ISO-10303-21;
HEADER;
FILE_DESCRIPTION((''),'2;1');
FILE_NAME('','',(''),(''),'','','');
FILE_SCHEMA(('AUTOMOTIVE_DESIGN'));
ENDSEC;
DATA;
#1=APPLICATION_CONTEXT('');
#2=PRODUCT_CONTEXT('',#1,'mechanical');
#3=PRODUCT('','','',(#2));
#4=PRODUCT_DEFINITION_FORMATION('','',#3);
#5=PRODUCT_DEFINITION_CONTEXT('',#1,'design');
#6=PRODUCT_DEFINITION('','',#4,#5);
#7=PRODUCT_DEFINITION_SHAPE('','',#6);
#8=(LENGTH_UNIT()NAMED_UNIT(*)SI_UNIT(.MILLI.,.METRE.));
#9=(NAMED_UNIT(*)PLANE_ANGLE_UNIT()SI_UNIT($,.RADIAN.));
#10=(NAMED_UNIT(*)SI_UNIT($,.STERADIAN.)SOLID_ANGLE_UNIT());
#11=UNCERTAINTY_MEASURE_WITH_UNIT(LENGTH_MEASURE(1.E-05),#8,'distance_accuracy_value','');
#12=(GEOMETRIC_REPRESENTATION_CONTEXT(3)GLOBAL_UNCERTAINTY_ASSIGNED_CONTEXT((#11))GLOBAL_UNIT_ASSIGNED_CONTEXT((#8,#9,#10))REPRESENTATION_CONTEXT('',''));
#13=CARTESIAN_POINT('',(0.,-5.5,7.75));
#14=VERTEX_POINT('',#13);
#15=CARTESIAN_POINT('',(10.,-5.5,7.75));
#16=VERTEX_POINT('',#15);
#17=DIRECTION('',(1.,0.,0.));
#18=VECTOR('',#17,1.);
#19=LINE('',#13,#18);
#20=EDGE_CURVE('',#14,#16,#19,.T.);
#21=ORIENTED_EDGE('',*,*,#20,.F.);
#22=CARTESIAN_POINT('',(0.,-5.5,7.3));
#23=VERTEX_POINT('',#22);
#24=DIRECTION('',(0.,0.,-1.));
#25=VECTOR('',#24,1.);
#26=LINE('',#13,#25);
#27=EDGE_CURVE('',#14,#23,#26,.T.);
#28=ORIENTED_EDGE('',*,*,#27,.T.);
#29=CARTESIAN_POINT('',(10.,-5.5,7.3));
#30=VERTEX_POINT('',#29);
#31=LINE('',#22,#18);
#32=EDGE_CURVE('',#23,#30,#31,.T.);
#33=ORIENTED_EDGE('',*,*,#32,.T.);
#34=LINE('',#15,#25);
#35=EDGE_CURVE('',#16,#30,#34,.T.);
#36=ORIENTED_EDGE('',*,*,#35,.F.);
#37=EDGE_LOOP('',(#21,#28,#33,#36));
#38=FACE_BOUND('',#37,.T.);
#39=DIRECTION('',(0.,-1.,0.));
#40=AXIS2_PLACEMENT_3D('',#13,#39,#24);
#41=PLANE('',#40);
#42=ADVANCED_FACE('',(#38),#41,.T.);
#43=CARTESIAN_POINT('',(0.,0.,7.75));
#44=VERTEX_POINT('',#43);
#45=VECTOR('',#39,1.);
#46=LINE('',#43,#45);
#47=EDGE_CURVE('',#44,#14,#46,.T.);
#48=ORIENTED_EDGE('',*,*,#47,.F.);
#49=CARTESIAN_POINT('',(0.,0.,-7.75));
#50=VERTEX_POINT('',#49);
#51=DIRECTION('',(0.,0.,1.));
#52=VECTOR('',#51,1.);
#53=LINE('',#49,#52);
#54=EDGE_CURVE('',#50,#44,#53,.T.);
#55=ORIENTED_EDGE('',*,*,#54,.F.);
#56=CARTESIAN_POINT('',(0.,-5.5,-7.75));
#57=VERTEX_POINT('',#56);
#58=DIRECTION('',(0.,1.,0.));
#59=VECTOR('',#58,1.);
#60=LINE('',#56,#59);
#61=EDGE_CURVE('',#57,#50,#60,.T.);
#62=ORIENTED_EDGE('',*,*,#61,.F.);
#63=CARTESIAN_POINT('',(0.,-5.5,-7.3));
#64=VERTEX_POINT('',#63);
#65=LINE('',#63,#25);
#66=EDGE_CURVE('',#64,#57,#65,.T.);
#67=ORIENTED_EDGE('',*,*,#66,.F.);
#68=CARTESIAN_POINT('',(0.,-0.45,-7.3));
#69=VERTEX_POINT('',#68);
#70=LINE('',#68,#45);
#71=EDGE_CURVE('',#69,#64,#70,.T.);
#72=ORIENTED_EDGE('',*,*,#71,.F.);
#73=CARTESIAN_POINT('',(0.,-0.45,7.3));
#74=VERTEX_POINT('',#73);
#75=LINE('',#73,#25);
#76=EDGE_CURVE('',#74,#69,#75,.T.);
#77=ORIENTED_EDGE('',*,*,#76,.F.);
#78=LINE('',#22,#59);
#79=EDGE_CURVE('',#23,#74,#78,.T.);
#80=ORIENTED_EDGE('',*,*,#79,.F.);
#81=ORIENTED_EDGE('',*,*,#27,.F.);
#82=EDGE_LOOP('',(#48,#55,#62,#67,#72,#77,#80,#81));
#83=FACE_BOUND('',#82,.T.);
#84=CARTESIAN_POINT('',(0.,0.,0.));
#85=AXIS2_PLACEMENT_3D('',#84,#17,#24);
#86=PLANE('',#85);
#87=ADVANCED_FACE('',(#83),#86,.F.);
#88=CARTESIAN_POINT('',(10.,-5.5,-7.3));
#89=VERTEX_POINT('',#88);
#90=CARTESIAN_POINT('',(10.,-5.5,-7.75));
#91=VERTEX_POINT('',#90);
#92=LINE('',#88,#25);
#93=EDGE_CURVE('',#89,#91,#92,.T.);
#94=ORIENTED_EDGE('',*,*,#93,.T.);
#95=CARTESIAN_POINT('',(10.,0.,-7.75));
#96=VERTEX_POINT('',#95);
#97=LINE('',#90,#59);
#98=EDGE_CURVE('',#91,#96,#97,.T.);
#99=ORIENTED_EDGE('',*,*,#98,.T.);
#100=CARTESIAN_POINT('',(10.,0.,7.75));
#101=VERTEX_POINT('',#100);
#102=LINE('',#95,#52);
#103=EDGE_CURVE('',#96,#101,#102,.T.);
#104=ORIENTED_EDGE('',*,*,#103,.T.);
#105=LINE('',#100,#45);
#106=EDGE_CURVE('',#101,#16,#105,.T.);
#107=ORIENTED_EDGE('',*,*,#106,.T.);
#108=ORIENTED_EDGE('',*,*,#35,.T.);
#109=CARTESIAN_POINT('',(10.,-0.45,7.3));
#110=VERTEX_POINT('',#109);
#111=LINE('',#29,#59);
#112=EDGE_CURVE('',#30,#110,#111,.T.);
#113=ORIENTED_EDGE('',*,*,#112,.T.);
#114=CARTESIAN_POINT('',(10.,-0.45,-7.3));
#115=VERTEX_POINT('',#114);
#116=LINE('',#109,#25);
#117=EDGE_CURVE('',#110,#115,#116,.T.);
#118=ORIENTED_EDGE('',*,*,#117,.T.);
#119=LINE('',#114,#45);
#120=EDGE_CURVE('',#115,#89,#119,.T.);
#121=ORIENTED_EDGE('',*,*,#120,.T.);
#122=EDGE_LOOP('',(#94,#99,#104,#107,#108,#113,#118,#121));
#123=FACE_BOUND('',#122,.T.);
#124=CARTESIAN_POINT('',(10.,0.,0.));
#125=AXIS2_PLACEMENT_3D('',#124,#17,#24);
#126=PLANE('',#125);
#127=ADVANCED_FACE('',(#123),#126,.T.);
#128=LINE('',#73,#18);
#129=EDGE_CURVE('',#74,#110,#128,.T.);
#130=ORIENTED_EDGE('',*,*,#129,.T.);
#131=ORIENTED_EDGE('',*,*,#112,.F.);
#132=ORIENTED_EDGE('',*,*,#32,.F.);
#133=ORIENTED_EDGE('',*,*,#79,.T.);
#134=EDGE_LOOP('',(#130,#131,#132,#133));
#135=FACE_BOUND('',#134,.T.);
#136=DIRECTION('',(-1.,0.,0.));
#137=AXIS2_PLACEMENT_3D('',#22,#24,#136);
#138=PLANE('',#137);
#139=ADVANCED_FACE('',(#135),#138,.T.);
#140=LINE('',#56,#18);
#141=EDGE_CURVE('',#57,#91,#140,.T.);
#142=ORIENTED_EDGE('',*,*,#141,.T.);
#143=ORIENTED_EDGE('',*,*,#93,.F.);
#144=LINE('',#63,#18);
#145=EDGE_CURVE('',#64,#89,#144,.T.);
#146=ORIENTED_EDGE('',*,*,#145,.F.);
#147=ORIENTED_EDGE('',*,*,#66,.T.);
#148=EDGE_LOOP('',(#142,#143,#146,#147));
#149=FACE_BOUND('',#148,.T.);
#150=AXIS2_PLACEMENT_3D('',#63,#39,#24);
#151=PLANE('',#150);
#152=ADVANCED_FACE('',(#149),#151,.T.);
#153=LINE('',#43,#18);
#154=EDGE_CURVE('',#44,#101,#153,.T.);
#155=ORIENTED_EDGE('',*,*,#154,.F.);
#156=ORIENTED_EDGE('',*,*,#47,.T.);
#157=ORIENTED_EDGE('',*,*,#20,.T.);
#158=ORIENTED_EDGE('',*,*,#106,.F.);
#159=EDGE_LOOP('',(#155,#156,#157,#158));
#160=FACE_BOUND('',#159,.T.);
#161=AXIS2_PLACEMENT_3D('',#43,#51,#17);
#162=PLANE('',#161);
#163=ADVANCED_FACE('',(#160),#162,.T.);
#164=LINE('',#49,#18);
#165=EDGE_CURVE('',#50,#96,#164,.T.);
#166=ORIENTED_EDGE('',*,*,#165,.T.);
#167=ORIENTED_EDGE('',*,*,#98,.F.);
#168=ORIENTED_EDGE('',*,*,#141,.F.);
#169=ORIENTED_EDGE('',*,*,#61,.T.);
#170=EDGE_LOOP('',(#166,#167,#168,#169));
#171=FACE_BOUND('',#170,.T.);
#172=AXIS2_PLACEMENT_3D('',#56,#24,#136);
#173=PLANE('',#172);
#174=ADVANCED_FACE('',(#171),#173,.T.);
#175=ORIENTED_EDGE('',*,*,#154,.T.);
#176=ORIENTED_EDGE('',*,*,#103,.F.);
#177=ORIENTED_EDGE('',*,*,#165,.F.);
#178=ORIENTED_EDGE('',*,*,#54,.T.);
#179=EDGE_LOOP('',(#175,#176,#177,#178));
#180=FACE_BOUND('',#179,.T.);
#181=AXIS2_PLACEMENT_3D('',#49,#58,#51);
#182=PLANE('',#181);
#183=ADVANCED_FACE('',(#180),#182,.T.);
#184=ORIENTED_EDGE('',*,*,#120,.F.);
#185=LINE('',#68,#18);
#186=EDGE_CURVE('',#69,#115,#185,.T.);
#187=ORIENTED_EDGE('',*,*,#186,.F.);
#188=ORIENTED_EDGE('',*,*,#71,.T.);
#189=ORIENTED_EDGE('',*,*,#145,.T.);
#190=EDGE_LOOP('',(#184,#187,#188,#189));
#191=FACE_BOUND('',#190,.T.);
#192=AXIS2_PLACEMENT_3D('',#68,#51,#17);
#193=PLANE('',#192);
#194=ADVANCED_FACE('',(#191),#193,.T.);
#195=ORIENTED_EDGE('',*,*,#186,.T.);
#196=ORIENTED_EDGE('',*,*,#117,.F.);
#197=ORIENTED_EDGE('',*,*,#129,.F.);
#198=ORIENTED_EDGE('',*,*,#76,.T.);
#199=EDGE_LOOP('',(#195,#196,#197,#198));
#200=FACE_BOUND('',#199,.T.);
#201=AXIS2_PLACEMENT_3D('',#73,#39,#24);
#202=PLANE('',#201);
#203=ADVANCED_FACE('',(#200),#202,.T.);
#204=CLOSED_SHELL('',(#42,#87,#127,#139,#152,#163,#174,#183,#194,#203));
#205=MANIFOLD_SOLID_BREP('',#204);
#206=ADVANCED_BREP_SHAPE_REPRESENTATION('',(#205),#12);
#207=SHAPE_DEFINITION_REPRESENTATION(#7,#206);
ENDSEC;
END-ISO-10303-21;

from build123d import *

# Parameters (mm, degrees)
SALIENTE_EXTRUIR1_DEPTH = 10


with BuildPart() as part:
    # Croquis1 → Saliente-Extruir1 (new body)
    with BuildSketch(Plane(origin=(10, 0, 0), x_dir=(0, 0, -1), z_dir=(1, 0, 0))):
        Polygon((7.75, 0), (-7.75, 0), (-7.75, -5.5), (-7.3, -5.5), (-7.3, -0.45), (7.3, -0.45), (7.3, -5.5), (7.75, -5.5), align=None)
    extrude(amount=-SALIENTE_EXTRUIR1_DEPTH)


solid = part.part
